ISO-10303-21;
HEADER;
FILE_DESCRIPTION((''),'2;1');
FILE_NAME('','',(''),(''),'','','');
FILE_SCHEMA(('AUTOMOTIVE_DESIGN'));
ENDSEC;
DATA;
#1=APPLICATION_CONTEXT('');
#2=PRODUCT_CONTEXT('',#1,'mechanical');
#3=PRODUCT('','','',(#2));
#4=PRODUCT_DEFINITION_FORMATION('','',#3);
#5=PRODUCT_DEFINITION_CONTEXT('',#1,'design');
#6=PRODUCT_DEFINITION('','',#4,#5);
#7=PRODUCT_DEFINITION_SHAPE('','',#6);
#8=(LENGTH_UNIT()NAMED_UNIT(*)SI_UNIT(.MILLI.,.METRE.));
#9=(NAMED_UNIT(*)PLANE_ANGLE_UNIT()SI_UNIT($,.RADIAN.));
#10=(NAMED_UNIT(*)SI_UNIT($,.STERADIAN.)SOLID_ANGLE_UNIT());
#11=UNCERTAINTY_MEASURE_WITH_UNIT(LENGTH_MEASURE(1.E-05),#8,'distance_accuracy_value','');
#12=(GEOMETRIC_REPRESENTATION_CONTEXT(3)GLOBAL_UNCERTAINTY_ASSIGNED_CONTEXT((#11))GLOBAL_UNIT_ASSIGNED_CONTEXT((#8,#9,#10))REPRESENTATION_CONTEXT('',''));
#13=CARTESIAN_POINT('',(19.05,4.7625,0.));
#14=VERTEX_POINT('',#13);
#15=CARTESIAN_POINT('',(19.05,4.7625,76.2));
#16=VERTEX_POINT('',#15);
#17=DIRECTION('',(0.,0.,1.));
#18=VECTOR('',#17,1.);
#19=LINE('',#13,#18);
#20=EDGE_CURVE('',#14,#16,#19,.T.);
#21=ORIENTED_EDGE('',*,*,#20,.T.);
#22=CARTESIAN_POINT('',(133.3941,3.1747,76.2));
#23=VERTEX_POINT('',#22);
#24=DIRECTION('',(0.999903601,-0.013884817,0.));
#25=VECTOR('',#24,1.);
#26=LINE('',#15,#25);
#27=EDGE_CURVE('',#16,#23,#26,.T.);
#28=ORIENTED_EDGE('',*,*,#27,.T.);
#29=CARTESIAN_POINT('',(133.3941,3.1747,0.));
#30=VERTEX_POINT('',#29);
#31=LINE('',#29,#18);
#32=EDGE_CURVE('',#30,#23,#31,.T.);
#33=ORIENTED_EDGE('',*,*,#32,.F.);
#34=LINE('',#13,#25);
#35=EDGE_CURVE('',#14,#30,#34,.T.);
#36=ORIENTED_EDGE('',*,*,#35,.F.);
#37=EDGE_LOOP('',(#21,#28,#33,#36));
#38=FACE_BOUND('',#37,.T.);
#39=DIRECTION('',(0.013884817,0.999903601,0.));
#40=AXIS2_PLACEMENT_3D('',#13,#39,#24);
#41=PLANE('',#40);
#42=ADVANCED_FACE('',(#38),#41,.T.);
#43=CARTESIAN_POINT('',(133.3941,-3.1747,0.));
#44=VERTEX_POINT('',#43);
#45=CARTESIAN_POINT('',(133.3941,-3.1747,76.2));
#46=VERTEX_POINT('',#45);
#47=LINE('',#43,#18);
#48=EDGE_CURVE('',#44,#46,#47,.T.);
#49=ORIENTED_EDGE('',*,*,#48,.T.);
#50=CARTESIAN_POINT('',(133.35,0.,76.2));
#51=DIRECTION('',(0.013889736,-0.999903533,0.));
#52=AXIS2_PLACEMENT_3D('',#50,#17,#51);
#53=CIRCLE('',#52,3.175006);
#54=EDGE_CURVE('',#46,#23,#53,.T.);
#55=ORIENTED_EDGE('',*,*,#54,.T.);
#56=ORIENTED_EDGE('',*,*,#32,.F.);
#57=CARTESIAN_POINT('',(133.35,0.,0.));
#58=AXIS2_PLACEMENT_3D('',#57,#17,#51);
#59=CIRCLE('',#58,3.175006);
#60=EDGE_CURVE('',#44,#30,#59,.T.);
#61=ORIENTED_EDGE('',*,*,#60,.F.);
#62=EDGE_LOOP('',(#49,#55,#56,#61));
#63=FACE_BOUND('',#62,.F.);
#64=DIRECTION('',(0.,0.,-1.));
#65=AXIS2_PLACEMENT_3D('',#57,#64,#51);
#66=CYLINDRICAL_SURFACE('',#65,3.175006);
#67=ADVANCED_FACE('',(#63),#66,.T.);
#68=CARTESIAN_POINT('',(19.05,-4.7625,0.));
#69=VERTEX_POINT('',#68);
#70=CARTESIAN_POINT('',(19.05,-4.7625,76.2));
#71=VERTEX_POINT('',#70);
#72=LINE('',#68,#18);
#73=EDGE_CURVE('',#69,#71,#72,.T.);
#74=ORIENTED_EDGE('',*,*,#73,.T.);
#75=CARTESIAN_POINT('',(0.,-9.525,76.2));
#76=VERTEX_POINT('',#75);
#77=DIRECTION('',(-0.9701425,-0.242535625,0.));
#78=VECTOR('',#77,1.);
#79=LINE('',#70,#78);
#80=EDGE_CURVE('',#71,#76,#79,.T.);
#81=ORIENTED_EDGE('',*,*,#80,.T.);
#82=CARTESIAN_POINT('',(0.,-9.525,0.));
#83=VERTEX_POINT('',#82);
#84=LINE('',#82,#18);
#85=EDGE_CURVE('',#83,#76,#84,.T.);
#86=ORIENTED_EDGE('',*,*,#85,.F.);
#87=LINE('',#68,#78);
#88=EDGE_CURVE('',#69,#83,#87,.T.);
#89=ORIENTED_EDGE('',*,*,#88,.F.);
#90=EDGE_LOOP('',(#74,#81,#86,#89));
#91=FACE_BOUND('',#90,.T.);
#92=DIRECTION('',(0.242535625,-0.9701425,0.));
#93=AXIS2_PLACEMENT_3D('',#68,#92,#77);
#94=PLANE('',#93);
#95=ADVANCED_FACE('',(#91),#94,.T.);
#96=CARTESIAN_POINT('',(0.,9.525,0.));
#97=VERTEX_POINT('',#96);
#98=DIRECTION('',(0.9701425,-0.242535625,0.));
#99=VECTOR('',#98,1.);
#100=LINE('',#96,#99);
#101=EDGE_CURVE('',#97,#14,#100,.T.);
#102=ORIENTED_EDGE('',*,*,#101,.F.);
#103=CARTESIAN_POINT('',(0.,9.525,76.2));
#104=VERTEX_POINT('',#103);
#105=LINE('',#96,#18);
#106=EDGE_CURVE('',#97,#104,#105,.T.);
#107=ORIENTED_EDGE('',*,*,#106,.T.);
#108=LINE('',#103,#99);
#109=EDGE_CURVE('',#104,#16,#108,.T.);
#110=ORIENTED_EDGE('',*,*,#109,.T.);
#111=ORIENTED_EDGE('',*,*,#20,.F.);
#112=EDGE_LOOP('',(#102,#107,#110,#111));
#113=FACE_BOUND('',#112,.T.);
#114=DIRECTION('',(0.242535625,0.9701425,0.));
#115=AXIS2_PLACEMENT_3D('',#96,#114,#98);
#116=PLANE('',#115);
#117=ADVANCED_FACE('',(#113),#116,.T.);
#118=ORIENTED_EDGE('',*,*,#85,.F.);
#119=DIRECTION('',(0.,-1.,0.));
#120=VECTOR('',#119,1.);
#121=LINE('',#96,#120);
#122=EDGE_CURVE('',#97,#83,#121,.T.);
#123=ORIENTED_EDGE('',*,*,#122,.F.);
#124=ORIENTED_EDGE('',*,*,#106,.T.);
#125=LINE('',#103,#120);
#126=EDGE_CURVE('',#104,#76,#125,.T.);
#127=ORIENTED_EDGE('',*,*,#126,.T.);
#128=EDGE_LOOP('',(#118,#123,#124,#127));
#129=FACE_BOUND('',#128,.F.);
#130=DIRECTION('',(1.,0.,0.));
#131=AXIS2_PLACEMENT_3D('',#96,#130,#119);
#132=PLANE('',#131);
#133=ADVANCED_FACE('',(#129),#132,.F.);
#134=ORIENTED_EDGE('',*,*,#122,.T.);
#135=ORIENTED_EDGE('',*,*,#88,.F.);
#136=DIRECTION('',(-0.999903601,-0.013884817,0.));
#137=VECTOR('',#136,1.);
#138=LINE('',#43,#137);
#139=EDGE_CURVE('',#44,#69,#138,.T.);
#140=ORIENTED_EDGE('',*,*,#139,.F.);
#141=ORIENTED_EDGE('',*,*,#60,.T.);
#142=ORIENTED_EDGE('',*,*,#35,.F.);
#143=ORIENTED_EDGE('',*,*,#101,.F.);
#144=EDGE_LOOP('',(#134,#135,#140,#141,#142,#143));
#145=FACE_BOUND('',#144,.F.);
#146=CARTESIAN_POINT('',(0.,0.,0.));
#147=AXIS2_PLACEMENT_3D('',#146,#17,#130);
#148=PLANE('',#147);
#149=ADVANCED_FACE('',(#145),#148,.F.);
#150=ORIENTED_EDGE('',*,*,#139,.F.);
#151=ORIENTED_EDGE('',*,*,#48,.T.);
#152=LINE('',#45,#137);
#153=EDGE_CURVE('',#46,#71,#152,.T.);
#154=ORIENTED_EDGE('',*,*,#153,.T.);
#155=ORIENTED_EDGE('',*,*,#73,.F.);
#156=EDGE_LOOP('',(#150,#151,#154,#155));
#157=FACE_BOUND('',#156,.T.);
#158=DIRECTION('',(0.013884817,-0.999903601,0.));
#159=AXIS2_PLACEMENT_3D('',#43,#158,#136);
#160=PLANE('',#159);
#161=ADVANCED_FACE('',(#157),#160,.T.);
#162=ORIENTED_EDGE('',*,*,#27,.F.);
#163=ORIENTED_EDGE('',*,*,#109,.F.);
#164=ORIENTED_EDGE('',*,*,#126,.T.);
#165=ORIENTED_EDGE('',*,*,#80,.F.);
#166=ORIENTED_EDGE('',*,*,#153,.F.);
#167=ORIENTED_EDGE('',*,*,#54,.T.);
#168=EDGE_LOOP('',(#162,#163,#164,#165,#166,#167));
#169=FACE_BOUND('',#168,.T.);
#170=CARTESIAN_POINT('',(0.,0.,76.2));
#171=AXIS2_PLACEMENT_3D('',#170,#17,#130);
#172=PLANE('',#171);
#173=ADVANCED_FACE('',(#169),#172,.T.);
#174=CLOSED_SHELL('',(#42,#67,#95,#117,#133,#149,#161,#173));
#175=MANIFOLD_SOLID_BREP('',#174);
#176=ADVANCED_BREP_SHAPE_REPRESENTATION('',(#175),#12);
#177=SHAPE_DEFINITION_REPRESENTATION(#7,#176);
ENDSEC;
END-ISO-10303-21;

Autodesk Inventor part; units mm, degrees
ref_plane "YZ Plane" through (0, 0, 0) normal (1, 0, 0) x (0, 1, 0)
ref_plane "XY Plane" through (0, 0, 0) normal (0, 0, 1) x (1, 0, 0)
sketch "Sketch1" plane through (0, 0, 0) normal (0, 0, 1) x (1, 0, 0)
  line L0 (0, 9.525) -> (0, -9.525)
  line L1 (19.05, -4.7625) -> (19.05, 4.7625) construction
  line L2 (0, 9.525) -> (19.05, 4.7625)
  line L3 (19.05, -4.7625) -> (0, -9.525)
  arc A0 (133.3941, -3.1747) -> (133.3941, 3.1747) centre (133.35, 0) ccw
  line L4 (19.05, 4.7625) -> (133.3941, 3.1747)
  line L5 (133.3941, -3.1747) -> (19.05, -4.7625)
  point P0 (0, 0)
  point P1 (19.05, 0)
  dimension "d0" = 19.05
  dimension "d1" = 9.525
  dimension "d2" = 19.05
  dimension "d3" = 3.175
  dimension "d4" = 114.3
extrude "Extrusion1" add sketch "Sketch1" along normal blind 76.2
ref_plane "Work Plane1" through (0, 9.525, 0) normal (0, 1, 0) x (-1, 0, 0)
properties part number "CAST,SLAB-OF-FLOP" material "50A Urithane"
